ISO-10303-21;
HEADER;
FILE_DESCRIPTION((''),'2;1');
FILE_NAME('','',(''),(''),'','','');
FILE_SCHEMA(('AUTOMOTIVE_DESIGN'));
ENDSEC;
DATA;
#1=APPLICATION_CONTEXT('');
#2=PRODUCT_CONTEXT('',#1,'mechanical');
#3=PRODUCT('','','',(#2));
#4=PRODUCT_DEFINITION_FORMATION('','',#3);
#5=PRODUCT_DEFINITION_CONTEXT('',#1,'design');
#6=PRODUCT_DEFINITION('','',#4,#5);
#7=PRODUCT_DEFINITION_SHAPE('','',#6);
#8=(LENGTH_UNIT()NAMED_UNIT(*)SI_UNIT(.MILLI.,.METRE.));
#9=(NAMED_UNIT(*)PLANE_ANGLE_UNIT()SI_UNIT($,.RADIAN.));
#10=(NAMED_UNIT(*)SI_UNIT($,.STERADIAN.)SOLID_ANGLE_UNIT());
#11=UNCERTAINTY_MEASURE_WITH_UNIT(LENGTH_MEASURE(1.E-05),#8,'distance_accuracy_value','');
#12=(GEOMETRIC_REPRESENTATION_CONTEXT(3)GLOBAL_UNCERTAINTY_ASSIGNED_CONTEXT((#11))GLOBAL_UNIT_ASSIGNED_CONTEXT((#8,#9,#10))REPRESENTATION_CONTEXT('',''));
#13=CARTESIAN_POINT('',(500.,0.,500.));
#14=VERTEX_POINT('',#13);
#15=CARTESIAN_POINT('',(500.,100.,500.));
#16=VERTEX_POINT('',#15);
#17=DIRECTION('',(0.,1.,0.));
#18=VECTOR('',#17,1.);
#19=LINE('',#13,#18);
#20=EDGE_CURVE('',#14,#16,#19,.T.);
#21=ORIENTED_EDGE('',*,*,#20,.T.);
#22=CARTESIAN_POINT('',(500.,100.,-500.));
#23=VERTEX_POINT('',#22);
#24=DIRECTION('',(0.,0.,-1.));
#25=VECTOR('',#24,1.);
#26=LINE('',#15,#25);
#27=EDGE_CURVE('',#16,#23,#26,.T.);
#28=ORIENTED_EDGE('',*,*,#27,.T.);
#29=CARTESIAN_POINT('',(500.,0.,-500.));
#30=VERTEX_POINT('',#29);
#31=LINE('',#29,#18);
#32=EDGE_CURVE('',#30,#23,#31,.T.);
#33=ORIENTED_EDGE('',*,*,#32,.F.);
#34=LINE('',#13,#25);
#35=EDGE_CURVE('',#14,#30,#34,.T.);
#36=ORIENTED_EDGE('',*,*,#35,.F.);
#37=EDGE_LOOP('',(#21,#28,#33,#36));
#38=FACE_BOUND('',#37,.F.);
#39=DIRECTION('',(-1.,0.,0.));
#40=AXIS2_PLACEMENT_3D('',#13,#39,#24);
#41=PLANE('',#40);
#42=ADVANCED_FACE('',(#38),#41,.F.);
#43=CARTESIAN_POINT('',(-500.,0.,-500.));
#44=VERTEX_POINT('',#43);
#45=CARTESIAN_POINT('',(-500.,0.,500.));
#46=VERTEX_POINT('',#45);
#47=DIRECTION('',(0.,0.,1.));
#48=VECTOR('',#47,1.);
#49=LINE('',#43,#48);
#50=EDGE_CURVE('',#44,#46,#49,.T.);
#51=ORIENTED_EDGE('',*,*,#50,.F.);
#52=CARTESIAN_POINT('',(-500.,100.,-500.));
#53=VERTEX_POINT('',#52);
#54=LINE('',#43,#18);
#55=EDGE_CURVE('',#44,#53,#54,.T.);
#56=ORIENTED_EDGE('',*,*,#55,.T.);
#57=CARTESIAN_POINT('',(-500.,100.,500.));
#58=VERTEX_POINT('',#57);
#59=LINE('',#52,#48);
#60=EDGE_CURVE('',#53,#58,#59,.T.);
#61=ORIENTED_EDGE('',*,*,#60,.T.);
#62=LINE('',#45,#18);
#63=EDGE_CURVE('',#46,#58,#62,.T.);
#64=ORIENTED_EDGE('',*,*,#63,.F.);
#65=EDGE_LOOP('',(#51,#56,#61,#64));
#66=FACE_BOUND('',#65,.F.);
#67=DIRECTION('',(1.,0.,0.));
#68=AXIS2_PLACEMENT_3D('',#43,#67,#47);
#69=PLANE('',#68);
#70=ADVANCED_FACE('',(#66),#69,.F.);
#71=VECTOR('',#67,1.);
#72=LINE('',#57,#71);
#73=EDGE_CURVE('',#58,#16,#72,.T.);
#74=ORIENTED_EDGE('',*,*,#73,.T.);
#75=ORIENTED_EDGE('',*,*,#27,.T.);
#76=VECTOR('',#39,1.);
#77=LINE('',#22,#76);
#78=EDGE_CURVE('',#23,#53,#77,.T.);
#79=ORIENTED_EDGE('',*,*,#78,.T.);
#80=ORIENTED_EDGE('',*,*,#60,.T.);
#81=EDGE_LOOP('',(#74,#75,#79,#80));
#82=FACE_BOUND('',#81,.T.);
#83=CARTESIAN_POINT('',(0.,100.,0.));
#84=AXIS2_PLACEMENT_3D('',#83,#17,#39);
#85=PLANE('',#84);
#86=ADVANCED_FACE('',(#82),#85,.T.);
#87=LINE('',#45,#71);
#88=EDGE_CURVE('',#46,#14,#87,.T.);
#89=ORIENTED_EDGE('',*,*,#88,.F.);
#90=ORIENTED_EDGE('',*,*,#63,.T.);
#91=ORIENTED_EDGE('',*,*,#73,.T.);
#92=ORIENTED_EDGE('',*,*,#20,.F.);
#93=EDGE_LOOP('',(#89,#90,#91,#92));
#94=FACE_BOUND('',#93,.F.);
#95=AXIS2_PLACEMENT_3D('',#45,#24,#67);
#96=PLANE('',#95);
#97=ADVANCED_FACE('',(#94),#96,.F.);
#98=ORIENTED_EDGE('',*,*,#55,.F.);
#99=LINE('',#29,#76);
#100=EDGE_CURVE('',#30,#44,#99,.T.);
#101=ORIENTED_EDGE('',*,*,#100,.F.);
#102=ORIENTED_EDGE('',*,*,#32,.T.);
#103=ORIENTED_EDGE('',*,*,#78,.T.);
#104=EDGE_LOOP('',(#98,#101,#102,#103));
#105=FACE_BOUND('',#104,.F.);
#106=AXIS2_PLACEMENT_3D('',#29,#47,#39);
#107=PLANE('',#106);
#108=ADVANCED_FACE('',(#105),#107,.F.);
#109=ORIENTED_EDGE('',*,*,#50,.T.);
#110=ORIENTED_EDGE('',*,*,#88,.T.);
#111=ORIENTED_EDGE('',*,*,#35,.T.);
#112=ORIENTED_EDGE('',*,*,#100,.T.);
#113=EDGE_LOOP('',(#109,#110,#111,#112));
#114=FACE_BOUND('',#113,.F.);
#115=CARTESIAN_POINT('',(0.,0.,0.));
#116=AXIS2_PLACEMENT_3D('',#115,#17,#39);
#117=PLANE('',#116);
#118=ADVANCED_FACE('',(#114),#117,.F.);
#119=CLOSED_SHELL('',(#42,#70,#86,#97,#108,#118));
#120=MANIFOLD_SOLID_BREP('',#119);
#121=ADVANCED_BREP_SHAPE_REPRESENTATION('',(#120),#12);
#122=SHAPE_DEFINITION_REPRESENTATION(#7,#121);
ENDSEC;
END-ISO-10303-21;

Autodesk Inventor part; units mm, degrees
ref_plane "YZ Plane" through (0, 0, 0) normal (1, 0, 0) x (0, 1, 0)
ref_plane "XZ Plane" through (0, 0, 0) normal (0, 1, 0) x (-1, 0, 0)
ref_plane "XY Plane" through (0, 0, 0) normal (0, 0, 1) x (1, 0, 0)
sketch "Sketch1" plane through (0, 0, 0) normal (0, 1, 0) x (-1, 0, 0)
  line L0 (500, 500) -> (-500, 500)
  line L1 (-500, 500) -> (-500, -500)
  line L2 (-500, -500) -> (500, -500)
  line L3 (500, -500) -> (500, 500)
  point P0 (0, 0)
  dimension "d0" = 1000
  dimension "d1" = 1000
  dimension "d2" = 500
  dimension "d3" = 500
extrude "Extrusion1" add sketch "Sketch1" along normal blind 100
properties part number "Table"
